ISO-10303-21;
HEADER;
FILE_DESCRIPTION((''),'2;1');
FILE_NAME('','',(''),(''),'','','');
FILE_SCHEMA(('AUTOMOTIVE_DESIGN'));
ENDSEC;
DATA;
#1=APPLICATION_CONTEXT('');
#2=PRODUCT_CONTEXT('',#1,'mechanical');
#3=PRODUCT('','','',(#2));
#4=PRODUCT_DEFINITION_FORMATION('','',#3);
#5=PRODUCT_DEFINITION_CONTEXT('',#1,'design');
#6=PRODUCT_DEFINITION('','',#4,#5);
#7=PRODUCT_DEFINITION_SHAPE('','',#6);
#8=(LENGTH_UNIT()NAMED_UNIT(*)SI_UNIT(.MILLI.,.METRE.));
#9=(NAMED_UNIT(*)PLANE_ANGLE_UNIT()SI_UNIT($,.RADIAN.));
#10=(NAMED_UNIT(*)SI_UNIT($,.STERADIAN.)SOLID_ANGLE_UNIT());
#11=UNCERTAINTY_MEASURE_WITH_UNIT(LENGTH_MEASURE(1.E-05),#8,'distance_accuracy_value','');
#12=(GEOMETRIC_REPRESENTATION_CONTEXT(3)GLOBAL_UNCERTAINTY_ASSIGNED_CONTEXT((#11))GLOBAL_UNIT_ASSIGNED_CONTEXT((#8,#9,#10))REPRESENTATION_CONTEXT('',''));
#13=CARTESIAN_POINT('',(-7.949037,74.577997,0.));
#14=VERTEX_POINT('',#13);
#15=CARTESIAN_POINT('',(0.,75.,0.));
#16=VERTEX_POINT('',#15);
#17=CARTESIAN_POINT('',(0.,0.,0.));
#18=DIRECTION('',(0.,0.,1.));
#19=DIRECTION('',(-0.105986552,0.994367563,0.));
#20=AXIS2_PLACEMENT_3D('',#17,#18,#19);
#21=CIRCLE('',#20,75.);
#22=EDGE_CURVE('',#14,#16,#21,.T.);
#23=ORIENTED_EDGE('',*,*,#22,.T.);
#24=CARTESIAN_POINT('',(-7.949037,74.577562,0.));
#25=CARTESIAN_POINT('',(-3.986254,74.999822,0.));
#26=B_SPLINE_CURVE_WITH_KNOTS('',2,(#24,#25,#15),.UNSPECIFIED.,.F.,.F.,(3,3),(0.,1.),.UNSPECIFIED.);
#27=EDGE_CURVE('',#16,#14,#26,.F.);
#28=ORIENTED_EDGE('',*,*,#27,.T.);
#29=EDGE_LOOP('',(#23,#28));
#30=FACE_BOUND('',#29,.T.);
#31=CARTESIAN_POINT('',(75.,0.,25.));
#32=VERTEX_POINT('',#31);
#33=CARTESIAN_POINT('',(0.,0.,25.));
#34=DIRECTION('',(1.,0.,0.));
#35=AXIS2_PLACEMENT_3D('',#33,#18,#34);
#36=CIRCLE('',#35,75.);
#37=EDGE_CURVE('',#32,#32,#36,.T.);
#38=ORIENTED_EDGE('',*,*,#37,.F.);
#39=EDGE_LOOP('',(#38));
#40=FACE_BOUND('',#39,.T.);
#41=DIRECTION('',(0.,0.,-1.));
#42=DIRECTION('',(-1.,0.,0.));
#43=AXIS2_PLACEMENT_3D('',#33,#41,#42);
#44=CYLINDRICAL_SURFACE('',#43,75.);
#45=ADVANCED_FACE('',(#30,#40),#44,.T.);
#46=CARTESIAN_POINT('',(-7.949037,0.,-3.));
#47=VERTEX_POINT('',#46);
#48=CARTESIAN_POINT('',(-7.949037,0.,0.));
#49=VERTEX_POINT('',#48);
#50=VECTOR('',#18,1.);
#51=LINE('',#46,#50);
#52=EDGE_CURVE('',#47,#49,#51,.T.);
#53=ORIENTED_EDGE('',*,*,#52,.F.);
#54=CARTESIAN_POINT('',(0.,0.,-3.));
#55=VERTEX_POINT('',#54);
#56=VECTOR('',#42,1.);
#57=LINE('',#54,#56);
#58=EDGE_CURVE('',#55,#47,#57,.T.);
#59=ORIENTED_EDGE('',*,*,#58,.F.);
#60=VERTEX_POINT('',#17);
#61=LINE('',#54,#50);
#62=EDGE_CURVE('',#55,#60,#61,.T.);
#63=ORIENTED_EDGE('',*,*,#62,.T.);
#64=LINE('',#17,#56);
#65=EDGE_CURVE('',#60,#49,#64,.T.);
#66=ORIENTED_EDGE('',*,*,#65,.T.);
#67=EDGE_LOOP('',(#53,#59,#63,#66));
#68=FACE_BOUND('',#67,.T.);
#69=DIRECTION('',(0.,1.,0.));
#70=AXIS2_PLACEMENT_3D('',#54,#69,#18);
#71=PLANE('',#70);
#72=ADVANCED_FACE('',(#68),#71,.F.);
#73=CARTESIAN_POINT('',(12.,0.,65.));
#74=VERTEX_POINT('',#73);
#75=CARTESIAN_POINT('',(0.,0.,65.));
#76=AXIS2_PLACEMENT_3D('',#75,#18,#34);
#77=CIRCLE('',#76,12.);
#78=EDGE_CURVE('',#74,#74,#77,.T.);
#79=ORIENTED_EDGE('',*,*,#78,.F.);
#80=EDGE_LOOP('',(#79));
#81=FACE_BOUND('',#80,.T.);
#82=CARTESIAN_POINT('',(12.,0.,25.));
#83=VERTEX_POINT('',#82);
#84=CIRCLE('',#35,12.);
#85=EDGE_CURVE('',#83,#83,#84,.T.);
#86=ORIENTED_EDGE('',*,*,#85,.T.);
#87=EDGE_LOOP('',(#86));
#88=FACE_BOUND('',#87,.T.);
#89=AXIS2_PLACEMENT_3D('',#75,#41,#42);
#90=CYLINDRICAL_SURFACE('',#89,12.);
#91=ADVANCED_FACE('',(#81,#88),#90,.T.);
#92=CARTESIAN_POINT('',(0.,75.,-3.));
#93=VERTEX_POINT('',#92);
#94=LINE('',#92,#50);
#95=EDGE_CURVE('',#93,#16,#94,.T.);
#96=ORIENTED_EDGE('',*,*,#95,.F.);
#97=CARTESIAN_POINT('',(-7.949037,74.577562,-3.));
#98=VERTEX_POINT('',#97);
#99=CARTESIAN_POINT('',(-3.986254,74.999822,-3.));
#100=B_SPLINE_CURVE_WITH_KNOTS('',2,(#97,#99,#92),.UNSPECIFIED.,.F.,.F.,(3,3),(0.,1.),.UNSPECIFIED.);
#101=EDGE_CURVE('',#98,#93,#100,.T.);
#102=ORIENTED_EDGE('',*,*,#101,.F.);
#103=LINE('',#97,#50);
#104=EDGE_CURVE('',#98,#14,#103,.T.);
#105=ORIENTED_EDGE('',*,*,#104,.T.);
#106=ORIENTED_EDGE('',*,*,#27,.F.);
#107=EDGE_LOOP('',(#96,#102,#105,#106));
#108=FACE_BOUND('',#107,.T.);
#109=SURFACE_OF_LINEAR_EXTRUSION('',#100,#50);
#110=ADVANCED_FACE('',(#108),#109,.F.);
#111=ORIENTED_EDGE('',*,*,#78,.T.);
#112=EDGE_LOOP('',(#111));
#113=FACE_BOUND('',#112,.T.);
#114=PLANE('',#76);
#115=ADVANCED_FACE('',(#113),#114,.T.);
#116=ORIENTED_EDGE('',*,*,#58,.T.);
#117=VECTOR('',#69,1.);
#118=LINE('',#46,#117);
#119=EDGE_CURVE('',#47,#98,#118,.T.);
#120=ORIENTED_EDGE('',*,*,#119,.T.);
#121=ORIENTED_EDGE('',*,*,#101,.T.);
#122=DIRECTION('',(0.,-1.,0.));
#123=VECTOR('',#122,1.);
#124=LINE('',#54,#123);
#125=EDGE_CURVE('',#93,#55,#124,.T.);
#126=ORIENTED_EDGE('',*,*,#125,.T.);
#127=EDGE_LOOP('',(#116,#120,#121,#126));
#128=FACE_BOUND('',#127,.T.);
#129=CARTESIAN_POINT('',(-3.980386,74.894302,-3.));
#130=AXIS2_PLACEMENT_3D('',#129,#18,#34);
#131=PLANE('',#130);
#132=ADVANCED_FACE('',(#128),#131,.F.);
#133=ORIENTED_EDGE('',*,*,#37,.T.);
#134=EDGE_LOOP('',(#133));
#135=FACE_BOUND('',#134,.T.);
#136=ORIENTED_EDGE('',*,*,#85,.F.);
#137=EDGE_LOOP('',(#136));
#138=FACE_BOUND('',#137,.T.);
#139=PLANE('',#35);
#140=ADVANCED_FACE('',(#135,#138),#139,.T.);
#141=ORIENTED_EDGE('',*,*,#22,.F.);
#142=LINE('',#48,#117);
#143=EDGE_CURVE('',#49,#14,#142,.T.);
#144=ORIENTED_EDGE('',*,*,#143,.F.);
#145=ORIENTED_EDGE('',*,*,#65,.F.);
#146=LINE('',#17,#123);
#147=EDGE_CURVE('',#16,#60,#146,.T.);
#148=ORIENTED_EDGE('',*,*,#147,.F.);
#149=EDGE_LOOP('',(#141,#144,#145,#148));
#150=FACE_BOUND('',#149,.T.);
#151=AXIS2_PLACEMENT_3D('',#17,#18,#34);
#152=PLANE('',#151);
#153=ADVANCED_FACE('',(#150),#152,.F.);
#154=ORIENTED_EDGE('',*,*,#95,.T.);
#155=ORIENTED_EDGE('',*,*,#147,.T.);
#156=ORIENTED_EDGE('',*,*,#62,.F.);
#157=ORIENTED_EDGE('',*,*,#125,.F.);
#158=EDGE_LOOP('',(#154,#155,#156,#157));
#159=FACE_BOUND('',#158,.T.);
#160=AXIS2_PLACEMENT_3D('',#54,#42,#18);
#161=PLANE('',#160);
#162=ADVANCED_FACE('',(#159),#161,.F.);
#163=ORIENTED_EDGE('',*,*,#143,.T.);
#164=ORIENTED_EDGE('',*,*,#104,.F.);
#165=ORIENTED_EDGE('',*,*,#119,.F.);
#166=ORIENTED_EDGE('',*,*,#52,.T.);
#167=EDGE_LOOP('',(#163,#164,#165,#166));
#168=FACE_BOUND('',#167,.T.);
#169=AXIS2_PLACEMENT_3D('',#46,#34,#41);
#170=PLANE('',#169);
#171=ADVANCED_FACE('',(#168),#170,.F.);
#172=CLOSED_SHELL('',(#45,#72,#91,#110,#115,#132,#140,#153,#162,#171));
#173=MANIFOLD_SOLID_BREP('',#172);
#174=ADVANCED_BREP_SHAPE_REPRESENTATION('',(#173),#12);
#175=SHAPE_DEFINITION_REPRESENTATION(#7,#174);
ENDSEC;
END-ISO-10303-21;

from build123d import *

# Parameters (mm, degrees)
SKETCH1_R           = 75
BOSS_EXTRUDE1_DEPTH = 25
SKETCH2_R           = 12
BOSS_EXTRUDE2_DEPTH = 40
BOSS_EXTRUDE3_DEPTH = 3


with BuildPart() as part:
    # Sketch1 → Boss-Extrude1 (new body)
    with BuildSketch(Plane.XY):
        Circle(SKETCH1_R)
    extrude(amount=BOSS_EXTRUDE1_DEPTH)

    # Sketch2 → Boss-Extrude2 (add)
    with BuildSketch(Plane.XY.offset(25)):
        Circle(SKETCH2_R)
    extrude(amount=BOSS_EXTRUDE2_DEPTH)

    # Sketch3 → Boss-Extrude3 (add)
    with BuildSketch(Plane(origin=(0, 0, 0), x_dir=(-1, 0, 0), z_dir=(0, 0, -1))):
        with BuildLine():
            Line((0, 0), (0, 75))
            add(Edge.make_bspline(
                [(7.949037258, 74.577562354), (3.986254227, 74.999822237), (0, 75)],
                knots=[0, 0, 0, 1, 1, 1], degree=2))
            Line((7.949037258, 74.577562354), (7.949037258, 0))
            Line((7.949037258, 0), (0, 0))
        make_face()
    extrude(amount=BOSS_EXTRUDE3_DEPTH)


solid = part.part
